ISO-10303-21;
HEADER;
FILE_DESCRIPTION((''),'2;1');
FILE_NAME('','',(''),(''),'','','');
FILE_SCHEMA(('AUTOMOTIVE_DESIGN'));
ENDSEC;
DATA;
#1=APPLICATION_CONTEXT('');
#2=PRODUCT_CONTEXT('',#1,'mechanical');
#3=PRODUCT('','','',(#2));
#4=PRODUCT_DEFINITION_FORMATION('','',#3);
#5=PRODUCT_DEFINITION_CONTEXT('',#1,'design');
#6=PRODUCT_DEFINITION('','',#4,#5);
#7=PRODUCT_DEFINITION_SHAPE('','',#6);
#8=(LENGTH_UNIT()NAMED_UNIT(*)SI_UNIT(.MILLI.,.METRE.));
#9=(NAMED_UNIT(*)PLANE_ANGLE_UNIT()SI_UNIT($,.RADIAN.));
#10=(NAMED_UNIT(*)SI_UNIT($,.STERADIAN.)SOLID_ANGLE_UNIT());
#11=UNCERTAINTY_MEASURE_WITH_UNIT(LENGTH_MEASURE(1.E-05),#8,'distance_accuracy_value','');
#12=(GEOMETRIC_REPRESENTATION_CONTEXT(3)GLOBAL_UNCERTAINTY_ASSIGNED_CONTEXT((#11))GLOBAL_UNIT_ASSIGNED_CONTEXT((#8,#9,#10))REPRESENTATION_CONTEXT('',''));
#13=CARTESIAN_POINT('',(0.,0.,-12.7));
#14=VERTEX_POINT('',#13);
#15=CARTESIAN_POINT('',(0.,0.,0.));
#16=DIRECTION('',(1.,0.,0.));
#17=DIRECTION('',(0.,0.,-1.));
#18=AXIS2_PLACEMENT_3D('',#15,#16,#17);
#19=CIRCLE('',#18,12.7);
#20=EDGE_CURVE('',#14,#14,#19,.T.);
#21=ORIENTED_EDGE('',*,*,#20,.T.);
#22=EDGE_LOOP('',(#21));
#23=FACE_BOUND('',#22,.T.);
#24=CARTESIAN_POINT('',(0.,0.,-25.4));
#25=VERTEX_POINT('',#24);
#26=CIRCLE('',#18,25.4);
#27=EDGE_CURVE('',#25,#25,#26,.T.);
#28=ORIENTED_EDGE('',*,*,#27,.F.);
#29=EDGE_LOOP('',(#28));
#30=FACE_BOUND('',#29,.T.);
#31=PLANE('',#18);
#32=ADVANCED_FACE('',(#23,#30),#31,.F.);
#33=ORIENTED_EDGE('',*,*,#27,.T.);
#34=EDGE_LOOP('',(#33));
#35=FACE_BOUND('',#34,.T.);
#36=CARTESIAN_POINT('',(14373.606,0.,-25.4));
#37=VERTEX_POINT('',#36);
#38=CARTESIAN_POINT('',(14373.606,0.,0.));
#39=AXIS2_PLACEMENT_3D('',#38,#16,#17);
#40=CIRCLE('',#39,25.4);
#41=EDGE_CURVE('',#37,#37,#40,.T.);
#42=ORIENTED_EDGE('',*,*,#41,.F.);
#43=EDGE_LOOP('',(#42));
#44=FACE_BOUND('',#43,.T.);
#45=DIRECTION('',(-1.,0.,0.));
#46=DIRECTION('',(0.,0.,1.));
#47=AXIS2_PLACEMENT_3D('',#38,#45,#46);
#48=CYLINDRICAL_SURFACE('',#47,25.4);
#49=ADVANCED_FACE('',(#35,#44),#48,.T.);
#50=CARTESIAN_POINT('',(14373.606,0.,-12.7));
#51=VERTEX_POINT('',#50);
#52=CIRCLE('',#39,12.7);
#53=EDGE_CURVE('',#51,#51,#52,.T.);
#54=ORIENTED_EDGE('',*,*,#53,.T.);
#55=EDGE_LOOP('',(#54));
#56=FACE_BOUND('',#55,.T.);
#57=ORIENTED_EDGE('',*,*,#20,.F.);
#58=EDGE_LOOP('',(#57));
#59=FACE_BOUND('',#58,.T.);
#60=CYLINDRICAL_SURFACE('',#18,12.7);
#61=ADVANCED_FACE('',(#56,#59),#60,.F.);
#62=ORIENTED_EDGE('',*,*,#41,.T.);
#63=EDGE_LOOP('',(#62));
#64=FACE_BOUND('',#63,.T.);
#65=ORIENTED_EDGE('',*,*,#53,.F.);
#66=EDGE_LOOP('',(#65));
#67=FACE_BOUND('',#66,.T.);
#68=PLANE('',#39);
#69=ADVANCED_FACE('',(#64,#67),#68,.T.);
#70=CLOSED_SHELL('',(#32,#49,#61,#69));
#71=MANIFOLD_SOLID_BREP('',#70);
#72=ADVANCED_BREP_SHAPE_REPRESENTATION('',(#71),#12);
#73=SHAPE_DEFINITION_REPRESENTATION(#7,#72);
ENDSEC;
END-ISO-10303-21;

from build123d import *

# Parameters (mm, degrees)
SKETCH1_R           = 25.4
BOSS_EXTRUDE1_DEPTH = 14373.606
SKETCH2_R           = 12.7
CUT_EXTRUDE1_DEPTH  = 14374.650884978


with BuildPart() as part:
    # Sketch1 → Boss-Extrude1 (new body)
    with BuildSketch(Plane.YZ):
        with Locations(Location((0, 0, 0), (0, 0, 270))):
            Circle(SKETCH1_R)
    extrude(amount=BOSS_EXTRUDE1_DEPTH)

    # Sketch2 → Cut-Extrude1 (cut, through all)
    with BuildSketch(Plane.YZ.offset(14373.606)):
        with Locations(Location((0, 0, 0), (0, 0, 270))):
            Circle(SKETCH2_R)
    extrude(amount=-CUT_EXTRUDE1_DEPTH, mode=Mode.SUBTRACT)


solid = part.part
